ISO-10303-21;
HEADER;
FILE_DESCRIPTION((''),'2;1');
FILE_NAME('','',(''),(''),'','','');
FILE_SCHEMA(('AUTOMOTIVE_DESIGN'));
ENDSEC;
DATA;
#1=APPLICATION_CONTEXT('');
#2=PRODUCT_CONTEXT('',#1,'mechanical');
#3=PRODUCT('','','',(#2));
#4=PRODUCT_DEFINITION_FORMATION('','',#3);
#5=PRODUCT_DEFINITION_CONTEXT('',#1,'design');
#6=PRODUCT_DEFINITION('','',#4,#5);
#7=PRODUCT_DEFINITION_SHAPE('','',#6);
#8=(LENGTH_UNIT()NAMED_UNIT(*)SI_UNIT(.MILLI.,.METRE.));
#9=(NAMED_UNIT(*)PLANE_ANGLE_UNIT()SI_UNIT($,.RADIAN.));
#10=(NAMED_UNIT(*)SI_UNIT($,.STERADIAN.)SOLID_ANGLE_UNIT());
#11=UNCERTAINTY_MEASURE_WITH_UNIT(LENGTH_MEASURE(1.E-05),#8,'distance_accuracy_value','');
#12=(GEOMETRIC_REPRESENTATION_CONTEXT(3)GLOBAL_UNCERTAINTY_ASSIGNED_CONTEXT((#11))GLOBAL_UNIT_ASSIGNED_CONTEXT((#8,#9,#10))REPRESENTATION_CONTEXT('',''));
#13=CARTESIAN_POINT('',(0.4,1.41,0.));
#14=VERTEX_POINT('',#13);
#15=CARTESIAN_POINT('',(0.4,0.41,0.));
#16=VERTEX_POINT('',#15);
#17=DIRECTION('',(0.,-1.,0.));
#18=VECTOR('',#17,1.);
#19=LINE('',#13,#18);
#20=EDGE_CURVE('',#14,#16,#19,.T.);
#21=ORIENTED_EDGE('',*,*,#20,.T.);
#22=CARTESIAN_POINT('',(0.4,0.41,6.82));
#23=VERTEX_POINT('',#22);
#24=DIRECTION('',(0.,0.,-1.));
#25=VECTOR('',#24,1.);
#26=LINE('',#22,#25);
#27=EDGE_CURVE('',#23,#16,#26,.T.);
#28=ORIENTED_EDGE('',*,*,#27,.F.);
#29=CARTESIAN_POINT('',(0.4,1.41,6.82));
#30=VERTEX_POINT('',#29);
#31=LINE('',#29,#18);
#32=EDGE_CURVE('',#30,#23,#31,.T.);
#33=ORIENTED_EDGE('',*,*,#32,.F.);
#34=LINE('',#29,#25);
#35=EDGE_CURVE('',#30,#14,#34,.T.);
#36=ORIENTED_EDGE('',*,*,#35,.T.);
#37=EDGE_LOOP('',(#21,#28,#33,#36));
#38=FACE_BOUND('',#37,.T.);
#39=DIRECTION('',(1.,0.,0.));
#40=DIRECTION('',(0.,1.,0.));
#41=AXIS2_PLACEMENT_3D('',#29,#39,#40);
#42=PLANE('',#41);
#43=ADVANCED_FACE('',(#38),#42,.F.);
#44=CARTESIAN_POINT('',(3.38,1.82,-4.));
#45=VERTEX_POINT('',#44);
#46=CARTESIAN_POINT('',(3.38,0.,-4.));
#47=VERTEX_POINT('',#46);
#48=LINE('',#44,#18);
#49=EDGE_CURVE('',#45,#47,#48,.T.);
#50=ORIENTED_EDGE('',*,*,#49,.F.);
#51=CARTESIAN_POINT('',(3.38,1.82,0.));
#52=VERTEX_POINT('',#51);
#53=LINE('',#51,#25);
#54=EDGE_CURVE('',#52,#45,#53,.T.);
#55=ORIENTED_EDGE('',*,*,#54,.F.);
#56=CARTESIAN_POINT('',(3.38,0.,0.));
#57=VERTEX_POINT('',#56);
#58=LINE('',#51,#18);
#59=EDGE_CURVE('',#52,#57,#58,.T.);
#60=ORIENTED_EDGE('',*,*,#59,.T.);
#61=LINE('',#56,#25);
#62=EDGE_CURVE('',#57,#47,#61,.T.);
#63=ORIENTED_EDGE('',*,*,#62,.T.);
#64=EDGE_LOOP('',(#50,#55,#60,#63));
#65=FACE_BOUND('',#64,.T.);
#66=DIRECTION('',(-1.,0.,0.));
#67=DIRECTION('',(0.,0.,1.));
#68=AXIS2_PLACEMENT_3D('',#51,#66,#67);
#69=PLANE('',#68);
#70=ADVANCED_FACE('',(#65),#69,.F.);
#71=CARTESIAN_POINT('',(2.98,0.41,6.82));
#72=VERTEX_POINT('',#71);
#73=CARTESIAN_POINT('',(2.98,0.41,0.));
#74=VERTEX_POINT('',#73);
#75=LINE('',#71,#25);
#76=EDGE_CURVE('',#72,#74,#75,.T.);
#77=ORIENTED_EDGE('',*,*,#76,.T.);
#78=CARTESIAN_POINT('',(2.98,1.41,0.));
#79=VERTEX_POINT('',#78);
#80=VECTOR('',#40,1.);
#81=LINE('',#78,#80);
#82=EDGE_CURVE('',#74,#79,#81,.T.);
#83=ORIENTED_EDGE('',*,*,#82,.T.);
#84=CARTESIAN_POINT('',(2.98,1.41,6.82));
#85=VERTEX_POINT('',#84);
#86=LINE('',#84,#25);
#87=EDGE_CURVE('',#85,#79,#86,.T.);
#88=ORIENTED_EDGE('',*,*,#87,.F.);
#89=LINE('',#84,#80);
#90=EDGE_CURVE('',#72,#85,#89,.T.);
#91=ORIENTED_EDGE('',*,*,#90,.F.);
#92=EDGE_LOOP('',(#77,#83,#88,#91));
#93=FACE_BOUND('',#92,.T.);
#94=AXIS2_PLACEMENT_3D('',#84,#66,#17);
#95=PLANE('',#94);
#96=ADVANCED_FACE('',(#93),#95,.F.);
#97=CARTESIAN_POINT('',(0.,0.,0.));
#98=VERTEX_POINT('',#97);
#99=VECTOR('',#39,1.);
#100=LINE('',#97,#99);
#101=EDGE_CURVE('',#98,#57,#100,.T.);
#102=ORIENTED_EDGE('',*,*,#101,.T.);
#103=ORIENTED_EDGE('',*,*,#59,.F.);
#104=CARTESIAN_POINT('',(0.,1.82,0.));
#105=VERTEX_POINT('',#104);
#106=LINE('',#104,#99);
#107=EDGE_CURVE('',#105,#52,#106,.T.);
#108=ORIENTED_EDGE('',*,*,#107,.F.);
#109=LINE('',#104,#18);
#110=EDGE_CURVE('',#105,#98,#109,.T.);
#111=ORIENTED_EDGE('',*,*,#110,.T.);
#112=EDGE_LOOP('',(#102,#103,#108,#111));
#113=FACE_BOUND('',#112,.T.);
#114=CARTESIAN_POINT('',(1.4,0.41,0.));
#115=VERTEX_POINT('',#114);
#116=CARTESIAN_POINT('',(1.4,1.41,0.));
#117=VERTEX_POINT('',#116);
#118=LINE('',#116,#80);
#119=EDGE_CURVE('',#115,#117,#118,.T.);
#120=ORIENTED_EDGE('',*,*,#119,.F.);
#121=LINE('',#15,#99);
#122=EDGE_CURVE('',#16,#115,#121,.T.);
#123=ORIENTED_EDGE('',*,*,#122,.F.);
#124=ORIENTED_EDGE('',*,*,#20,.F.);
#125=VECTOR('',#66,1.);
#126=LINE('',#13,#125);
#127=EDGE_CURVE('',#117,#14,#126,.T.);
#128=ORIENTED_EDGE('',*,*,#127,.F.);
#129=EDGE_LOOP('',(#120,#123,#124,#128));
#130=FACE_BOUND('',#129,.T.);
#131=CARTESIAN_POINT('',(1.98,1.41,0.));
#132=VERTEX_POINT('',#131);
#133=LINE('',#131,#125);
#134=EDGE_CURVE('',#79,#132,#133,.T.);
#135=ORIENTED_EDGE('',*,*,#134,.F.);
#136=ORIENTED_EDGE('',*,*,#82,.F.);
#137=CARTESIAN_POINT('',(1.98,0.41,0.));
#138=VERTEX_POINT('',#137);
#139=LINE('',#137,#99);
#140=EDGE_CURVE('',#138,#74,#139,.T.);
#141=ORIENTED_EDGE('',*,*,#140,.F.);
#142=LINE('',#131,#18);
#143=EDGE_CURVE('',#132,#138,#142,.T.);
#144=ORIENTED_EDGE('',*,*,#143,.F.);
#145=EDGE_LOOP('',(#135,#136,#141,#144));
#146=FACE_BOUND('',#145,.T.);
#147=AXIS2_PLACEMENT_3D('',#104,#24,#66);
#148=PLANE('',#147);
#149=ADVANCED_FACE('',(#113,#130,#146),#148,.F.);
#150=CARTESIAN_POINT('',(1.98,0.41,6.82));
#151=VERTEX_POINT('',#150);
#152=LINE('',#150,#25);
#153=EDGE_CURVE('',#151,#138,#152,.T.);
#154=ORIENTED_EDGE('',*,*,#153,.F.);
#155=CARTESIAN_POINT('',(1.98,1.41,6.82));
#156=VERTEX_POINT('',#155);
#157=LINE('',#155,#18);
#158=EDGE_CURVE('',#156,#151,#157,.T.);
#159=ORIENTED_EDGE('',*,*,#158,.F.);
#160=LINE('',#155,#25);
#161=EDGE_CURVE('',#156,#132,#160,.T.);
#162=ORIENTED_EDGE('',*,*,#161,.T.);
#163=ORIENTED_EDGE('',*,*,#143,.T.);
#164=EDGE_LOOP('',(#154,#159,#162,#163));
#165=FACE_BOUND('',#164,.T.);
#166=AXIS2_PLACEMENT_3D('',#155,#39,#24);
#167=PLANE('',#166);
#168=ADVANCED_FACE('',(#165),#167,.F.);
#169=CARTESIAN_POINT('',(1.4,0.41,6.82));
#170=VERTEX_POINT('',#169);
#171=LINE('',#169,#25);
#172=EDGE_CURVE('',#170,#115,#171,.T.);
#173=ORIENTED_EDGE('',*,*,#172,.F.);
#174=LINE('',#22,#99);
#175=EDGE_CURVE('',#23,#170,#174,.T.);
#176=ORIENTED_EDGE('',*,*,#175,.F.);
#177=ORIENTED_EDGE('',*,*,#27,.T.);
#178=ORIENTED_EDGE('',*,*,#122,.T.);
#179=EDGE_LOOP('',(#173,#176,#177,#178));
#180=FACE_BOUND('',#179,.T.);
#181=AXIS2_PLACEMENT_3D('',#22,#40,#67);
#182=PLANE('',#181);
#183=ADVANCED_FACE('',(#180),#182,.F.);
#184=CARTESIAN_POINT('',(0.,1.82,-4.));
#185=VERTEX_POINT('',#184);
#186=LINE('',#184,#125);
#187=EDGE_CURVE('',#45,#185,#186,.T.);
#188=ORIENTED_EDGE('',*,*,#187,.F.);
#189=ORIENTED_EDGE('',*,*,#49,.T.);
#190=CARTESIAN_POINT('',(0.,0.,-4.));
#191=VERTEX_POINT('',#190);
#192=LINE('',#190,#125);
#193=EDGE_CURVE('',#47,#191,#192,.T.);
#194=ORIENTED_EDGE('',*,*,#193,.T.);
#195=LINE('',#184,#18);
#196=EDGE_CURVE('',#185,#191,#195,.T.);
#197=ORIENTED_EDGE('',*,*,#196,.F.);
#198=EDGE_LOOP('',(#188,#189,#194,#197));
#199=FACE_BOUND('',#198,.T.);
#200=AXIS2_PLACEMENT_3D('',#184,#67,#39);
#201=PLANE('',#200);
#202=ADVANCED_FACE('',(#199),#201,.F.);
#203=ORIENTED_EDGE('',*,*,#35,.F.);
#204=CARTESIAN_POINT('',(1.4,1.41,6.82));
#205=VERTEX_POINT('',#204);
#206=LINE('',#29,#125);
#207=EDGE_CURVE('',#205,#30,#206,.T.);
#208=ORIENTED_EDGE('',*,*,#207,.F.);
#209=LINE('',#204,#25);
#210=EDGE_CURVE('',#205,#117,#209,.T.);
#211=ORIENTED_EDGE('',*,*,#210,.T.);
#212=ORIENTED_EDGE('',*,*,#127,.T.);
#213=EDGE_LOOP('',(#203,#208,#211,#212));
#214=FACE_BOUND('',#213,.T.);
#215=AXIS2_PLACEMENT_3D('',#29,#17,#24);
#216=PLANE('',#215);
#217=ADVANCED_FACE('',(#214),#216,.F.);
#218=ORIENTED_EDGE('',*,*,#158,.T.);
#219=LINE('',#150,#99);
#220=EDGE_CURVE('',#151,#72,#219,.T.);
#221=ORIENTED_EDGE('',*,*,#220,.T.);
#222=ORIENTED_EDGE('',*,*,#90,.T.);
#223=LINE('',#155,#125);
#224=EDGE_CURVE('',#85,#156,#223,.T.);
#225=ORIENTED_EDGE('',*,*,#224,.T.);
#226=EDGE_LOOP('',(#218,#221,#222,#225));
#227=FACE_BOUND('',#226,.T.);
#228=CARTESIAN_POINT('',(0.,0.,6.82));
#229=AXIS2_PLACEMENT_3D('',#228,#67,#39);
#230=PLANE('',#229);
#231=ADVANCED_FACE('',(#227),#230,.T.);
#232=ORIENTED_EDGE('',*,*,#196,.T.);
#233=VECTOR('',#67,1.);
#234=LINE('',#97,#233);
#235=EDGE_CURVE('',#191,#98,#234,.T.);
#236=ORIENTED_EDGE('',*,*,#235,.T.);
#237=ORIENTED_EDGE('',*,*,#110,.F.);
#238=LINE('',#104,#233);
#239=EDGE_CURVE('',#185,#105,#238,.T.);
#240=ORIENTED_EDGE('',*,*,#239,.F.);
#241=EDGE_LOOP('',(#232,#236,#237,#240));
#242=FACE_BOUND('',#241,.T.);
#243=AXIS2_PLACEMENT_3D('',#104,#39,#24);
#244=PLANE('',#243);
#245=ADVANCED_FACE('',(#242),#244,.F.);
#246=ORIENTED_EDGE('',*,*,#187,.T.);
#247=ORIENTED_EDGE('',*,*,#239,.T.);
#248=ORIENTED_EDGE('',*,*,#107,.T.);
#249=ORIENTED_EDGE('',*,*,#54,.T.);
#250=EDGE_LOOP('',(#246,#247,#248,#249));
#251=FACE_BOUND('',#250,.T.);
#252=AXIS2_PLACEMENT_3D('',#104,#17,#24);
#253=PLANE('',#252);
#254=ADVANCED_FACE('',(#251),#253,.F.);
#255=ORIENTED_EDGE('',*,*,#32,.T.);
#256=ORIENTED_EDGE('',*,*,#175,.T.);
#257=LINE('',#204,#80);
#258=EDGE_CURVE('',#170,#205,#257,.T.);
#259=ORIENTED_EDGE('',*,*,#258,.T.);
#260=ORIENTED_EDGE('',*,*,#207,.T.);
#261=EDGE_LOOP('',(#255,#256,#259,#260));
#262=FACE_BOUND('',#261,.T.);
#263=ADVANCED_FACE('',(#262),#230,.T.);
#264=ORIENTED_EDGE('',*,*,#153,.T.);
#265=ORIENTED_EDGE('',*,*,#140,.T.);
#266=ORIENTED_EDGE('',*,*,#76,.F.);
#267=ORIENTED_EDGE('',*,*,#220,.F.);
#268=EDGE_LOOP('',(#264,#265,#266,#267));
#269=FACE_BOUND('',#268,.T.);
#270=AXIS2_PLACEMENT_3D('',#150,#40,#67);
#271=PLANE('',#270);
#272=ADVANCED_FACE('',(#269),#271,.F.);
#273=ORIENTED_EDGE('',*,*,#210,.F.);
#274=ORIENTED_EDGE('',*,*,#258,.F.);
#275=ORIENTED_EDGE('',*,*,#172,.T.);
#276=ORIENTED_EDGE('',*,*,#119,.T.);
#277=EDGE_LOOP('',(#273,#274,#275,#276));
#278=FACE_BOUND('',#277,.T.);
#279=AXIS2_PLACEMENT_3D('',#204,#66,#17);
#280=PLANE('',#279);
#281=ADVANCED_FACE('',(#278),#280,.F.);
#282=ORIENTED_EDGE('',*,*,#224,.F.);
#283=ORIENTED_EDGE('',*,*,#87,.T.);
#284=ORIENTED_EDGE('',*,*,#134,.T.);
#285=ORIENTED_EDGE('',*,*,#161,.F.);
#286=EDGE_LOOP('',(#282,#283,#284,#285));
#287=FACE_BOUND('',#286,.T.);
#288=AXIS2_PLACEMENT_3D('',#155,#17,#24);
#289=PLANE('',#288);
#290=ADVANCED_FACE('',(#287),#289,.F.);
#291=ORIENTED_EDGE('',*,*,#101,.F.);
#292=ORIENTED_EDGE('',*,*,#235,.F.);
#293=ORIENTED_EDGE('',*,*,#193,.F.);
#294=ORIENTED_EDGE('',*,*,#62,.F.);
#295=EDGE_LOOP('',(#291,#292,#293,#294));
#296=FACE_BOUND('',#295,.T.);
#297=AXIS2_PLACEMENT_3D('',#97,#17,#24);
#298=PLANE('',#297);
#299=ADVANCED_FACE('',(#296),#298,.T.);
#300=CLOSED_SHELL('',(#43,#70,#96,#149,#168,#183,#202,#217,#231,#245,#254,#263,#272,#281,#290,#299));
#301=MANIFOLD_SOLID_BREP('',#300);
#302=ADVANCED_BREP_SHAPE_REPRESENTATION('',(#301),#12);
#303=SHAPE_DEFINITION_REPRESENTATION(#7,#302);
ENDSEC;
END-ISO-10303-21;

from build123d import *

# Parameters (mm, degrees)
SKETCH1_W           = 3.38
SKETCH1_H           = 4
BOSS_EXTRUDE1_DEPTH = 1.82
SKETCH2_W           = 1
SKETCH2_H           = 1
BOSS_EXTRUDE2_DEPTH = 6.82


with BuildPart() as part:
    # Sketch1 → Boss-Extrude1 (new body)
    with BuildSketch(Plane(origin=(0, 0, 0), x_dir=(1, 0, 0), z_dir=(0, 1, 0))):
        with Locations((1.69, 2)):
            Rectangle(SKETCH1_W, SKETCH1_H)
    extrude(amount=BOSS_EXTRUDE1_DEPTH)

    # Sketch2 → Boss-Extrude2 (add)
    with BuildSketch(Plane.XY):
        with Locations((0.9, 0.91)):
            Rectangle(SKETCH2_W, SKETCH2_H)
        with Locations((2.48, 0.91)):
            Rectangle(SKETCH2_W, SKETCH2_H)
    extrude(amount=BOSS_EXTRUDE2_DEPTH)


solid = part.part
